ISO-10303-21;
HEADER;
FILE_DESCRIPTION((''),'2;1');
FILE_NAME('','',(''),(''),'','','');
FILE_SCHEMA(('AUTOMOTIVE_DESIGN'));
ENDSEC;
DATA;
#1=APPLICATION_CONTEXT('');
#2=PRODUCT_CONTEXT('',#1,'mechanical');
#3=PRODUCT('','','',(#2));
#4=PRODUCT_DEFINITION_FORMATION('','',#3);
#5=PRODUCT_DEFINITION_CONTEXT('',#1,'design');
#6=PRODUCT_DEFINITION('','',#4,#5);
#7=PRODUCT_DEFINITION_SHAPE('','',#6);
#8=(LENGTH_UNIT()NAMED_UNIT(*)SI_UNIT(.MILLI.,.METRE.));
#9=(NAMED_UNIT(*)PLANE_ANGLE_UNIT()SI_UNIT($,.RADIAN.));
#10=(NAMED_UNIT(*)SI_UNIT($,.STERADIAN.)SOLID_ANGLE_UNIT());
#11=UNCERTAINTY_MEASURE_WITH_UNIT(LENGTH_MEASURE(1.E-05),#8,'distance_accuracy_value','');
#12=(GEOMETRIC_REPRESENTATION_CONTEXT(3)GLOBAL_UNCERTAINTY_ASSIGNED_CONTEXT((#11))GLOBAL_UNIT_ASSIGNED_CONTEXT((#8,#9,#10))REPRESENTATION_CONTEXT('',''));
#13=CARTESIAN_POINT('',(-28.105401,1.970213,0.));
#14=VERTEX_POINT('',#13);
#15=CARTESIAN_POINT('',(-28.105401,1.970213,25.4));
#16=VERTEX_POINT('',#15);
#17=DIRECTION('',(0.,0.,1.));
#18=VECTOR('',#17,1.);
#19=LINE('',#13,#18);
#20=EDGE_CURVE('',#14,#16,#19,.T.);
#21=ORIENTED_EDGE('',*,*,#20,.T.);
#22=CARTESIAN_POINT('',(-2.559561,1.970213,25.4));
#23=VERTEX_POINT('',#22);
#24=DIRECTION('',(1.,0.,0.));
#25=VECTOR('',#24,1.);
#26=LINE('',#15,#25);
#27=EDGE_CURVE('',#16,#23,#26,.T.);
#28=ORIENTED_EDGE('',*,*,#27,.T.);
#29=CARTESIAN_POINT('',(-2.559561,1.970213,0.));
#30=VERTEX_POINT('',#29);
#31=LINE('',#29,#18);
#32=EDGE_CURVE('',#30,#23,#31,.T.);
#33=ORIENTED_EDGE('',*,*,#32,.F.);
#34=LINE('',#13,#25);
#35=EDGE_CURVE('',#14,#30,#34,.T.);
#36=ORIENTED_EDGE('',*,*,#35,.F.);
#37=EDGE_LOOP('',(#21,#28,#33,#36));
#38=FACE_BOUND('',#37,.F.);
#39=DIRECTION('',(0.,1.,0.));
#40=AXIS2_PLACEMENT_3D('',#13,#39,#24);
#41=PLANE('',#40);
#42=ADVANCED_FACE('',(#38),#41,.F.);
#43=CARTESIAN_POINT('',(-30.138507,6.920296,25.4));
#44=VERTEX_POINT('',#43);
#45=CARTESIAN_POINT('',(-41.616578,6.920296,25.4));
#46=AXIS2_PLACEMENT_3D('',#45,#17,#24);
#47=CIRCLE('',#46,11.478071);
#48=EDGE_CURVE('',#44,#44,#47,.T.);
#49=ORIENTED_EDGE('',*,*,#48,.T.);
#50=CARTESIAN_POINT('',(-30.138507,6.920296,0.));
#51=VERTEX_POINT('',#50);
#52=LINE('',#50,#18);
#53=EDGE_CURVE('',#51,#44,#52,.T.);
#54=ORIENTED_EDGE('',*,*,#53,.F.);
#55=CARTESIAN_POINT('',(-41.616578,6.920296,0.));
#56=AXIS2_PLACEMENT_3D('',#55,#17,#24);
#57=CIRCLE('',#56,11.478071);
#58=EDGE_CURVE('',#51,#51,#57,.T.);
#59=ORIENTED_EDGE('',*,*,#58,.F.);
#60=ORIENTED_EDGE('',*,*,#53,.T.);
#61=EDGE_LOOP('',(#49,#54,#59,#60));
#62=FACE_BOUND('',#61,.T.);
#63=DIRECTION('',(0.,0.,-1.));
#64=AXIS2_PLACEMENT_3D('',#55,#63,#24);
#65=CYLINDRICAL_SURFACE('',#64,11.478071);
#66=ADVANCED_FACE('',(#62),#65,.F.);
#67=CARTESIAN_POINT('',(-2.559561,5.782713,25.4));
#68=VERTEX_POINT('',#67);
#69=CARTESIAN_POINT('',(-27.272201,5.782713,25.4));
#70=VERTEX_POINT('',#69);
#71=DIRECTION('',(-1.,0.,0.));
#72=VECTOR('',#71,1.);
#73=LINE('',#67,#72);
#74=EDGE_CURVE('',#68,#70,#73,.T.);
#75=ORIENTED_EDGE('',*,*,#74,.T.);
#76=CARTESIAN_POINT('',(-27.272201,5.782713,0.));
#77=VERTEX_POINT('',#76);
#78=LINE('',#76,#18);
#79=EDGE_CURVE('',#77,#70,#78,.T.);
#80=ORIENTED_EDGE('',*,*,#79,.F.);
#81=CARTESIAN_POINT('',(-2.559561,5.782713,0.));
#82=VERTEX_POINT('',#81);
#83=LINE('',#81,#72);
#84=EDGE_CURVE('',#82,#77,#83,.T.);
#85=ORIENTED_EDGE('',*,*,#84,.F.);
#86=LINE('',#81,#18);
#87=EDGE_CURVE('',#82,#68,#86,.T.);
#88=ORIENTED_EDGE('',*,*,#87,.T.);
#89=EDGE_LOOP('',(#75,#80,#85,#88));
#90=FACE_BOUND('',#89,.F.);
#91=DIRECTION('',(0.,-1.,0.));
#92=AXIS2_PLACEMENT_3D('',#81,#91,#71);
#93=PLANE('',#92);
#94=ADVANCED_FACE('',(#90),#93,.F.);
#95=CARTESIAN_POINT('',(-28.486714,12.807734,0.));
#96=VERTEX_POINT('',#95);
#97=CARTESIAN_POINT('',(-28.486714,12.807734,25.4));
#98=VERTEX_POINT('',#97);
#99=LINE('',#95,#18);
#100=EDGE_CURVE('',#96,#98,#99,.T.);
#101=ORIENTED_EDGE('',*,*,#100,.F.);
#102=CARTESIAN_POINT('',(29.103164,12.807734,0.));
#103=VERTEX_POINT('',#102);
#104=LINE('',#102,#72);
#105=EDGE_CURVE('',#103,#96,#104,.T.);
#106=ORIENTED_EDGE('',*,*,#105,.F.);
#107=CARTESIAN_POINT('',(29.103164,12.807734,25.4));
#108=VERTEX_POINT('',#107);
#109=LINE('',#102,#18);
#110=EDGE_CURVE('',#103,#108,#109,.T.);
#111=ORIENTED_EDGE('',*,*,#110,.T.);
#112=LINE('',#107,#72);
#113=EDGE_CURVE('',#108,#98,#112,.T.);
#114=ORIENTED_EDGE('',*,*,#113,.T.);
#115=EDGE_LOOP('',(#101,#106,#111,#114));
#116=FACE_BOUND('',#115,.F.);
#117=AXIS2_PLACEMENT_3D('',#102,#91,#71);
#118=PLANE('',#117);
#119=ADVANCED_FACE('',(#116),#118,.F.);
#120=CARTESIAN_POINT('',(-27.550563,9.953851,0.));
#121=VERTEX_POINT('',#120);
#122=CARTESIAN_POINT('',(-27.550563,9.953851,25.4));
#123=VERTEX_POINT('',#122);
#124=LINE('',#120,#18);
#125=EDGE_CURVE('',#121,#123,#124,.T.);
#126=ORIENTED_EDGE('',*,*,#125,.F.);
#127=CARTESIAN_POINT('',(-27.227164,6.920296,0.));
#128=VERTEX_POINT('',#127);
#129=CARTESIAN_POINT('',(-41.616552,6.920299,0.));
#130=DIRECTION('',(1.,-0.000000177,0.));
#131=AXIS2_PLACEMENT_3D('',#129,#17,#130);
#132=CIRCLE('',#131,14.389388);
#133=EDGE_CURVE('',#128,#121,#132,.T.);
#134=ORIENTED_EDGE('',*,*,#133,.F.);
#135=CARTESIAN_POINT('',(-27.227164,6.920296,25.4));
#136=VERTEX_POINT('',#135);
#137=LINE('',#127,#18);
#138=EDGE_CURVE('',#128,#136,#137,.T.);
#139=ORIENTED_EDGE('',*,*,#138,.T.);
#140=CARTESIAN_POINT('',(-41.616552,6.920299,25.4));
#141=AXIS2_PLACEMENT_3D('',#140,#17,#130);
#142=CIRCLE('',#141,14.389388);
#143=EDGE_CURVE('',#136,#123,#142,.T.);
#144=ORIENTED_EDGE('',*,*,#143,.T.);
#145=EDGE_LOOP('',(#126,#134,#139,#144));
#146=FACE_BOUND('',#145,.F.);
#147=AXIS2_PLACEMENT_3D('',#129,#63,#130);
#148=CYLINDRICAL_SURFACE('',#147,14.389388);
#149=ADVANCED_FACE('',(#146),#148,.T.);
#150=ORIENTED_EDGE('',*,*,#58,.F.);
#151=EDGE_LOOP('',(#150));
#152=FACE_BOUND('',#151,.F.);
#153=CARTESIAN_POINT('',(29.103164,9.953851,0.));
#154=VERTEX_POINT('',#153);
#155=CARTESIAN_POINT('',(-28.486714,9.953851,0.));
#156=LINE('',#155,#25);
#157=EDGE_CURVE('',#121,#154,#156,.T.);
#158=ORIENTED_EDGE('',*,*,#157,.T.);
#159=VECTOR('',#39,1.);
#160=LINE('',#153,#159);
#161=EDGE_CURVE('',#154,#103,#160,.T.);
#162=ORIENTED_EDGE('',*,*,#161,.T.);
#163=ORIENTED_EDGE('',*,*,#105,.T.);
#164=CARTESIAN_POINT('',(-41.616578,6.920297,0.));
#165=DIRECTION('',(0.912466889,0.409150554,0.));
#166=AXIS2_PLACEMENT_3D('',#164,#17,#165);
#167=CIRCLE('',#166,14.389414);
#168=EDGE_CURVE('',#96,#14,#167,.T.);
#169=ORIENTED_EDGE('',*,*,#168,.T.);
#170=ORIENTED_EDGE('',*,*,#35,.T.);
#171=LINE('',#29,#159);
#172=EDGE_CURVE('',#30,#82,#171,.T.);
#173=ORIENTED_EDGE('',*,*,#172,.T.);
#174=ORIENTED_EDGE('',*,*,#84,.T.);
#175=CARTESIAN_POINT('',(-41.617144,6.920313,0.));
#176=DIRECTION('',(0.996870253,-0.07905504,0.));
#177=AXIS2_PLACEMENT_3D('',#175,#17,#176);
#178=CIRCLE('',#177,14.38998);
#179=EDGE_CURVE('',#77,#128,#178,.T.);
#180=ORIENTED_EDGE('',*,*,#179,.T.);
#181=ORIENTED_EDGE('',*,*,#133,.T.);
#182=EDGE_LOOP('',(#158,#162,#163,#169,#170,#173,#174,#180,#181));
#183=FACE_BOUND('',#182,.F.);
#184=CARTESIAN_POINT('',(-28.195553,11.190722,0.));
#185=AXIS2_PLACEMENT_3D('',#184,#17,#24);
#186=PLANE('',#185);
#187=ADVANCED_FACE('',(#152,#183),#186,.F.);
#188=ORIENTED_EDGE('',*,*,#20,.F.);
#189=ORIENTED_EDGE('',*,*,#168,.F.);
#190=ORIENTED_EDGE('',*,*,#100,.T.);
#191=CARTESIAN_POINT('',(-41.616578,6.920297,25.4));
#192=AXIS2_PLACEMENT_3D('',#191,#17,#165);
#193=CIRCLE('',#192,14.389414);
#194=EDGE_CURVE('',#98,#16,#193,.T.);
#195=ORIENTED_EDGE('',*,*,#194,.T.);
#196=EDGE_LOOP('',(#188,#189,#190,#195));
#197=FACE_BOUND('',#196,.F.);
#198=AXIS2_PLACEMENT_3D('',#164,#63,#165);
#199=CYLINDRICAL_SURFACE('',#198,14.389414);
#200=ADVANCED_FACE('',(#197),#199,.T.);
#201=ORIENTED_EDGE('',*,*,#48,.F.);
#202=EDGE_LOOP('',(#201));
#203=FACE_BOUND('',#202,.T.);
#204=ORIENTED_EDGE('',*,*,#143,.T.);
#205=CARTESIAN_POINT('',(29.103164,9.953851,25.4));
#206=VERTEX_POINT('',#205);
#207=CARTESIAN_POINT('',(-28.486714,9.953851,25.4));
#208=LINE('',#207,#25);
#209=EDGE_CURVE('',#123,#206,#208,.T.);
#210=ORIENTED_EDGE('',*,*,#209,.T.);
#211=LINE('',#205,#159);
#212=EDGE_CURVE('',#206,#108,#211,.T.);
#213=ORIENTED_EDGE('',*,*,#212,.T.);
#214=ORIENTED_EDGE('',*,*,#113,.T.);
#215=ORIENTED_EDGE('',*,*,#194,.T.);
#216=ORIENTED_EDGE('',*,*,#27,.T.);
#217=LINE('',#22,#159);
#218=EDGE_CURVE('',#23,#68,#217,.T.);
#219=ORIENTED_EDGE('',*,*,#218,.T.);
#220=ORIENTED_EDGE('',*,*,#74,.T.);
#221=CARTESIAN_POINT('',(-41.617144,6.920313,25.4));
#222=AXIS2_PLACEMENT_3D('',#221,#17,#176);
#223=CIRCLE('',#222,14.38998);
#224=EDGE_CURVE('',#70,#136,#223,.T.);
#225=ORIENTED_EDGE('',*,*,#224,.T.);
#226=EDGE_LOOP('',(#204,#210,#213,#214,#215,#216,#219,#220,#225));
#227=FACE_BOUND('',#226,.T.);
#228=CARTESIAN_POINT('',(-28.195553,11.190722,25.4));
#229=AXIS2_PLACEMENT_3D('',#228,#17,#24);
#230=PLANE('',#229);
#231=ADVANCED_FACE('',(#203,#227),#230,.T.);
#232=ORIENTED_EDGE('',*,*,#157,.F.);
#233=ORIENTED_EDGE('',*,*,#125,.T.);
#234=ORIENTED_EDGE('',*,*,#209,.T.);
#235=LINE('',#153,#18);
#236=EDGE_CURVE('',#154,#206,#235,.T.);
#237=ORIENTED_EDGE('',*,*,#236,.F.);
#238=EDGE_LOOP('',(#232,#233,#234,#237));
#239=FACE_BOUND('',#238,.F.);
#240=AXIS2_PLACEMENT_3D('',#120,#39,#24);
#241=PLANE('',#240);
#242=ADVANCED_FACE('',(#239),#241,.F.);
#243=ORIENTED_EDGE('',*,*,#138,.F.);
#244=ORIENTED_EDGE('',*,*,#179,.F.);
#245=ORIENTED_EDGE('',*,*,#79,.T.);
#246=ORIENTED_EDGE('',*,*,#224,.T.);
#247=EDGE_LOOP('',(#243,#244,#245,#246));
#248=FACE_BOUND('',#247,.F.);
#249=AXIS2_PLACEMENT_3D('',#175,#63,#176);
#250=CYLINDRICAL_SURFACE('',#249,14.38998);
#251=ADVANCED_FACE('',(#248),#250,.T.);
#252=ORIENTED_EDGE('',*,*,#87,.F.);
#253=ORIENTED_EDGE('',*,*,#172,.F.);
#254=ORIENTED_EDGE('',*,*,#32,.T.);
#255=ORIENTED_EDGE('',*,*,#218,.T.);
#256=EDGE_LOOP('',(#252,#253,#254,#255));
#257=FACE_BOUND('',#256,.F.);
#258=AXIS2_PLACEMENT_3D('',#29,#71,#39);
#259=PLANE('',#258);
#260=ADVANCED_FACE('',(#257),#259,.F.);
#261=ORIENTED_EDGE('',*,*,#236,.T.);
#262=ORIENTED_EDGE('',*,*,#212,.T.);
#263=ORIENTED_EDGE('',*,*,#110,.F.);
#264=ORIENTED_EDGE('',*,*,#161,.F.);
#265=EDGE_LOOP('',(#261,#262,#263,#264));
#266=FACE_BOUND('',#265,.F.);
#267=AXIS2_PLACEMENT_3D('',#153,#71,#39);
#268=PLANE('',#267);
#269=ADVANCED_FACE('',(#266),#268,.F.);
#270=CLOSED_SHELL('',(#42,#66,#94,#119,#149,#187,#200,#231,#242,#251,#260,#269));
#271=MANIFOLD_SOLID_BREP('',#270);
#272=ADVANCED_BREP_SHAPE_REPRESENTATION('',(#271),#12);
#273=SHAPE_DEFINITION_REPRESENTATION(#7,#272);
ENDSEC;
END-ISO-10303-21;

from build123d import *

# Parameters (mm, degrees)
F0_R     = 11.478071
F1_DEPTH = 25.4


with BuildPart() as f1:
    # F0 (on Top) → F1 (new body)
    with BuildSketch(Plane.XY):
        with BuildLine():
            ThreePointArc((-27.550563, 9.953851), (-27.943973, 11.405285), (-28.486714, 12.807734))
            Line((-28.486714, 12.807734), (-28.486714, 9.953851))
            Line((-28.486714, 9.953851), (-27.550563, 9.953851))
        make_face()
        with BuildLine():
            Line((-28.105401, 5.782713), (-28.105401, 1.970213))
            ThreePointArc((-28.105401, 1.970213), (-27.558955, 3.848086), (-27.272201, 5.782713))
            Line((-27.272201, 5.782713), (-28.105401, 5.782713))
        make_face()
        with BuildLine():
            ThreePointArc((-27.272201, 5.782713), (-27.558955, 3.848086), (-28.105401, 1.970213))
            Line((-28.105401, 1.970213), (-2.559561, 1.970213))
            Line((-2.559561, 1.970213), (-2.559561, 5.782713))
            Line((-2.559561, 5.782713), (-27.272201, 5.782713))
        make_face()
        with BuildLine():
            Line((29.103164, 12.807734), (-28.486714, 12.807734))
            ThreePointArc((-28.486714, 12.807734), (-27.943973, 11.405285), (-27.550563, 9.953851))
            Line((-27.550563, 9.953851), (29.103164, 9.953851))
            Line((29.103164, 9.953851), (29.103164, 12.807734))
        make_face()
        with BuildLine():
            Line((-28.486714, 9.953851), (-28.486714, 12.807734))
            ThreePointArc((-28.486714, 12.807734), (-55.997093, 6.414324), (-28.105401, 1.970213))
            Line((-28.105401, 1.970213), (-28.105401, 5.782713))
            Line((-28.105401, 5.782713), (-27.272201, 5.782713))
            ThreePointArc((-27.272201, 5.782713), (-27.238428, 6.351059), (-27.227164, 6.920296))
            ThreePointArc((-27.227164, 6.920296), (-27.308242, 8.445668), (-27.550563, 9.953851))
            Line((-27.550563, 9.953851), (-28.486714, 9.953851))
        make_face()
        with Locations((-41.616578, 6.920296)):
            Circle(F0_R, mode=Mode.SUBTRACT)
    extrude(amount=F1_DEPTH)


solid = f1.part
